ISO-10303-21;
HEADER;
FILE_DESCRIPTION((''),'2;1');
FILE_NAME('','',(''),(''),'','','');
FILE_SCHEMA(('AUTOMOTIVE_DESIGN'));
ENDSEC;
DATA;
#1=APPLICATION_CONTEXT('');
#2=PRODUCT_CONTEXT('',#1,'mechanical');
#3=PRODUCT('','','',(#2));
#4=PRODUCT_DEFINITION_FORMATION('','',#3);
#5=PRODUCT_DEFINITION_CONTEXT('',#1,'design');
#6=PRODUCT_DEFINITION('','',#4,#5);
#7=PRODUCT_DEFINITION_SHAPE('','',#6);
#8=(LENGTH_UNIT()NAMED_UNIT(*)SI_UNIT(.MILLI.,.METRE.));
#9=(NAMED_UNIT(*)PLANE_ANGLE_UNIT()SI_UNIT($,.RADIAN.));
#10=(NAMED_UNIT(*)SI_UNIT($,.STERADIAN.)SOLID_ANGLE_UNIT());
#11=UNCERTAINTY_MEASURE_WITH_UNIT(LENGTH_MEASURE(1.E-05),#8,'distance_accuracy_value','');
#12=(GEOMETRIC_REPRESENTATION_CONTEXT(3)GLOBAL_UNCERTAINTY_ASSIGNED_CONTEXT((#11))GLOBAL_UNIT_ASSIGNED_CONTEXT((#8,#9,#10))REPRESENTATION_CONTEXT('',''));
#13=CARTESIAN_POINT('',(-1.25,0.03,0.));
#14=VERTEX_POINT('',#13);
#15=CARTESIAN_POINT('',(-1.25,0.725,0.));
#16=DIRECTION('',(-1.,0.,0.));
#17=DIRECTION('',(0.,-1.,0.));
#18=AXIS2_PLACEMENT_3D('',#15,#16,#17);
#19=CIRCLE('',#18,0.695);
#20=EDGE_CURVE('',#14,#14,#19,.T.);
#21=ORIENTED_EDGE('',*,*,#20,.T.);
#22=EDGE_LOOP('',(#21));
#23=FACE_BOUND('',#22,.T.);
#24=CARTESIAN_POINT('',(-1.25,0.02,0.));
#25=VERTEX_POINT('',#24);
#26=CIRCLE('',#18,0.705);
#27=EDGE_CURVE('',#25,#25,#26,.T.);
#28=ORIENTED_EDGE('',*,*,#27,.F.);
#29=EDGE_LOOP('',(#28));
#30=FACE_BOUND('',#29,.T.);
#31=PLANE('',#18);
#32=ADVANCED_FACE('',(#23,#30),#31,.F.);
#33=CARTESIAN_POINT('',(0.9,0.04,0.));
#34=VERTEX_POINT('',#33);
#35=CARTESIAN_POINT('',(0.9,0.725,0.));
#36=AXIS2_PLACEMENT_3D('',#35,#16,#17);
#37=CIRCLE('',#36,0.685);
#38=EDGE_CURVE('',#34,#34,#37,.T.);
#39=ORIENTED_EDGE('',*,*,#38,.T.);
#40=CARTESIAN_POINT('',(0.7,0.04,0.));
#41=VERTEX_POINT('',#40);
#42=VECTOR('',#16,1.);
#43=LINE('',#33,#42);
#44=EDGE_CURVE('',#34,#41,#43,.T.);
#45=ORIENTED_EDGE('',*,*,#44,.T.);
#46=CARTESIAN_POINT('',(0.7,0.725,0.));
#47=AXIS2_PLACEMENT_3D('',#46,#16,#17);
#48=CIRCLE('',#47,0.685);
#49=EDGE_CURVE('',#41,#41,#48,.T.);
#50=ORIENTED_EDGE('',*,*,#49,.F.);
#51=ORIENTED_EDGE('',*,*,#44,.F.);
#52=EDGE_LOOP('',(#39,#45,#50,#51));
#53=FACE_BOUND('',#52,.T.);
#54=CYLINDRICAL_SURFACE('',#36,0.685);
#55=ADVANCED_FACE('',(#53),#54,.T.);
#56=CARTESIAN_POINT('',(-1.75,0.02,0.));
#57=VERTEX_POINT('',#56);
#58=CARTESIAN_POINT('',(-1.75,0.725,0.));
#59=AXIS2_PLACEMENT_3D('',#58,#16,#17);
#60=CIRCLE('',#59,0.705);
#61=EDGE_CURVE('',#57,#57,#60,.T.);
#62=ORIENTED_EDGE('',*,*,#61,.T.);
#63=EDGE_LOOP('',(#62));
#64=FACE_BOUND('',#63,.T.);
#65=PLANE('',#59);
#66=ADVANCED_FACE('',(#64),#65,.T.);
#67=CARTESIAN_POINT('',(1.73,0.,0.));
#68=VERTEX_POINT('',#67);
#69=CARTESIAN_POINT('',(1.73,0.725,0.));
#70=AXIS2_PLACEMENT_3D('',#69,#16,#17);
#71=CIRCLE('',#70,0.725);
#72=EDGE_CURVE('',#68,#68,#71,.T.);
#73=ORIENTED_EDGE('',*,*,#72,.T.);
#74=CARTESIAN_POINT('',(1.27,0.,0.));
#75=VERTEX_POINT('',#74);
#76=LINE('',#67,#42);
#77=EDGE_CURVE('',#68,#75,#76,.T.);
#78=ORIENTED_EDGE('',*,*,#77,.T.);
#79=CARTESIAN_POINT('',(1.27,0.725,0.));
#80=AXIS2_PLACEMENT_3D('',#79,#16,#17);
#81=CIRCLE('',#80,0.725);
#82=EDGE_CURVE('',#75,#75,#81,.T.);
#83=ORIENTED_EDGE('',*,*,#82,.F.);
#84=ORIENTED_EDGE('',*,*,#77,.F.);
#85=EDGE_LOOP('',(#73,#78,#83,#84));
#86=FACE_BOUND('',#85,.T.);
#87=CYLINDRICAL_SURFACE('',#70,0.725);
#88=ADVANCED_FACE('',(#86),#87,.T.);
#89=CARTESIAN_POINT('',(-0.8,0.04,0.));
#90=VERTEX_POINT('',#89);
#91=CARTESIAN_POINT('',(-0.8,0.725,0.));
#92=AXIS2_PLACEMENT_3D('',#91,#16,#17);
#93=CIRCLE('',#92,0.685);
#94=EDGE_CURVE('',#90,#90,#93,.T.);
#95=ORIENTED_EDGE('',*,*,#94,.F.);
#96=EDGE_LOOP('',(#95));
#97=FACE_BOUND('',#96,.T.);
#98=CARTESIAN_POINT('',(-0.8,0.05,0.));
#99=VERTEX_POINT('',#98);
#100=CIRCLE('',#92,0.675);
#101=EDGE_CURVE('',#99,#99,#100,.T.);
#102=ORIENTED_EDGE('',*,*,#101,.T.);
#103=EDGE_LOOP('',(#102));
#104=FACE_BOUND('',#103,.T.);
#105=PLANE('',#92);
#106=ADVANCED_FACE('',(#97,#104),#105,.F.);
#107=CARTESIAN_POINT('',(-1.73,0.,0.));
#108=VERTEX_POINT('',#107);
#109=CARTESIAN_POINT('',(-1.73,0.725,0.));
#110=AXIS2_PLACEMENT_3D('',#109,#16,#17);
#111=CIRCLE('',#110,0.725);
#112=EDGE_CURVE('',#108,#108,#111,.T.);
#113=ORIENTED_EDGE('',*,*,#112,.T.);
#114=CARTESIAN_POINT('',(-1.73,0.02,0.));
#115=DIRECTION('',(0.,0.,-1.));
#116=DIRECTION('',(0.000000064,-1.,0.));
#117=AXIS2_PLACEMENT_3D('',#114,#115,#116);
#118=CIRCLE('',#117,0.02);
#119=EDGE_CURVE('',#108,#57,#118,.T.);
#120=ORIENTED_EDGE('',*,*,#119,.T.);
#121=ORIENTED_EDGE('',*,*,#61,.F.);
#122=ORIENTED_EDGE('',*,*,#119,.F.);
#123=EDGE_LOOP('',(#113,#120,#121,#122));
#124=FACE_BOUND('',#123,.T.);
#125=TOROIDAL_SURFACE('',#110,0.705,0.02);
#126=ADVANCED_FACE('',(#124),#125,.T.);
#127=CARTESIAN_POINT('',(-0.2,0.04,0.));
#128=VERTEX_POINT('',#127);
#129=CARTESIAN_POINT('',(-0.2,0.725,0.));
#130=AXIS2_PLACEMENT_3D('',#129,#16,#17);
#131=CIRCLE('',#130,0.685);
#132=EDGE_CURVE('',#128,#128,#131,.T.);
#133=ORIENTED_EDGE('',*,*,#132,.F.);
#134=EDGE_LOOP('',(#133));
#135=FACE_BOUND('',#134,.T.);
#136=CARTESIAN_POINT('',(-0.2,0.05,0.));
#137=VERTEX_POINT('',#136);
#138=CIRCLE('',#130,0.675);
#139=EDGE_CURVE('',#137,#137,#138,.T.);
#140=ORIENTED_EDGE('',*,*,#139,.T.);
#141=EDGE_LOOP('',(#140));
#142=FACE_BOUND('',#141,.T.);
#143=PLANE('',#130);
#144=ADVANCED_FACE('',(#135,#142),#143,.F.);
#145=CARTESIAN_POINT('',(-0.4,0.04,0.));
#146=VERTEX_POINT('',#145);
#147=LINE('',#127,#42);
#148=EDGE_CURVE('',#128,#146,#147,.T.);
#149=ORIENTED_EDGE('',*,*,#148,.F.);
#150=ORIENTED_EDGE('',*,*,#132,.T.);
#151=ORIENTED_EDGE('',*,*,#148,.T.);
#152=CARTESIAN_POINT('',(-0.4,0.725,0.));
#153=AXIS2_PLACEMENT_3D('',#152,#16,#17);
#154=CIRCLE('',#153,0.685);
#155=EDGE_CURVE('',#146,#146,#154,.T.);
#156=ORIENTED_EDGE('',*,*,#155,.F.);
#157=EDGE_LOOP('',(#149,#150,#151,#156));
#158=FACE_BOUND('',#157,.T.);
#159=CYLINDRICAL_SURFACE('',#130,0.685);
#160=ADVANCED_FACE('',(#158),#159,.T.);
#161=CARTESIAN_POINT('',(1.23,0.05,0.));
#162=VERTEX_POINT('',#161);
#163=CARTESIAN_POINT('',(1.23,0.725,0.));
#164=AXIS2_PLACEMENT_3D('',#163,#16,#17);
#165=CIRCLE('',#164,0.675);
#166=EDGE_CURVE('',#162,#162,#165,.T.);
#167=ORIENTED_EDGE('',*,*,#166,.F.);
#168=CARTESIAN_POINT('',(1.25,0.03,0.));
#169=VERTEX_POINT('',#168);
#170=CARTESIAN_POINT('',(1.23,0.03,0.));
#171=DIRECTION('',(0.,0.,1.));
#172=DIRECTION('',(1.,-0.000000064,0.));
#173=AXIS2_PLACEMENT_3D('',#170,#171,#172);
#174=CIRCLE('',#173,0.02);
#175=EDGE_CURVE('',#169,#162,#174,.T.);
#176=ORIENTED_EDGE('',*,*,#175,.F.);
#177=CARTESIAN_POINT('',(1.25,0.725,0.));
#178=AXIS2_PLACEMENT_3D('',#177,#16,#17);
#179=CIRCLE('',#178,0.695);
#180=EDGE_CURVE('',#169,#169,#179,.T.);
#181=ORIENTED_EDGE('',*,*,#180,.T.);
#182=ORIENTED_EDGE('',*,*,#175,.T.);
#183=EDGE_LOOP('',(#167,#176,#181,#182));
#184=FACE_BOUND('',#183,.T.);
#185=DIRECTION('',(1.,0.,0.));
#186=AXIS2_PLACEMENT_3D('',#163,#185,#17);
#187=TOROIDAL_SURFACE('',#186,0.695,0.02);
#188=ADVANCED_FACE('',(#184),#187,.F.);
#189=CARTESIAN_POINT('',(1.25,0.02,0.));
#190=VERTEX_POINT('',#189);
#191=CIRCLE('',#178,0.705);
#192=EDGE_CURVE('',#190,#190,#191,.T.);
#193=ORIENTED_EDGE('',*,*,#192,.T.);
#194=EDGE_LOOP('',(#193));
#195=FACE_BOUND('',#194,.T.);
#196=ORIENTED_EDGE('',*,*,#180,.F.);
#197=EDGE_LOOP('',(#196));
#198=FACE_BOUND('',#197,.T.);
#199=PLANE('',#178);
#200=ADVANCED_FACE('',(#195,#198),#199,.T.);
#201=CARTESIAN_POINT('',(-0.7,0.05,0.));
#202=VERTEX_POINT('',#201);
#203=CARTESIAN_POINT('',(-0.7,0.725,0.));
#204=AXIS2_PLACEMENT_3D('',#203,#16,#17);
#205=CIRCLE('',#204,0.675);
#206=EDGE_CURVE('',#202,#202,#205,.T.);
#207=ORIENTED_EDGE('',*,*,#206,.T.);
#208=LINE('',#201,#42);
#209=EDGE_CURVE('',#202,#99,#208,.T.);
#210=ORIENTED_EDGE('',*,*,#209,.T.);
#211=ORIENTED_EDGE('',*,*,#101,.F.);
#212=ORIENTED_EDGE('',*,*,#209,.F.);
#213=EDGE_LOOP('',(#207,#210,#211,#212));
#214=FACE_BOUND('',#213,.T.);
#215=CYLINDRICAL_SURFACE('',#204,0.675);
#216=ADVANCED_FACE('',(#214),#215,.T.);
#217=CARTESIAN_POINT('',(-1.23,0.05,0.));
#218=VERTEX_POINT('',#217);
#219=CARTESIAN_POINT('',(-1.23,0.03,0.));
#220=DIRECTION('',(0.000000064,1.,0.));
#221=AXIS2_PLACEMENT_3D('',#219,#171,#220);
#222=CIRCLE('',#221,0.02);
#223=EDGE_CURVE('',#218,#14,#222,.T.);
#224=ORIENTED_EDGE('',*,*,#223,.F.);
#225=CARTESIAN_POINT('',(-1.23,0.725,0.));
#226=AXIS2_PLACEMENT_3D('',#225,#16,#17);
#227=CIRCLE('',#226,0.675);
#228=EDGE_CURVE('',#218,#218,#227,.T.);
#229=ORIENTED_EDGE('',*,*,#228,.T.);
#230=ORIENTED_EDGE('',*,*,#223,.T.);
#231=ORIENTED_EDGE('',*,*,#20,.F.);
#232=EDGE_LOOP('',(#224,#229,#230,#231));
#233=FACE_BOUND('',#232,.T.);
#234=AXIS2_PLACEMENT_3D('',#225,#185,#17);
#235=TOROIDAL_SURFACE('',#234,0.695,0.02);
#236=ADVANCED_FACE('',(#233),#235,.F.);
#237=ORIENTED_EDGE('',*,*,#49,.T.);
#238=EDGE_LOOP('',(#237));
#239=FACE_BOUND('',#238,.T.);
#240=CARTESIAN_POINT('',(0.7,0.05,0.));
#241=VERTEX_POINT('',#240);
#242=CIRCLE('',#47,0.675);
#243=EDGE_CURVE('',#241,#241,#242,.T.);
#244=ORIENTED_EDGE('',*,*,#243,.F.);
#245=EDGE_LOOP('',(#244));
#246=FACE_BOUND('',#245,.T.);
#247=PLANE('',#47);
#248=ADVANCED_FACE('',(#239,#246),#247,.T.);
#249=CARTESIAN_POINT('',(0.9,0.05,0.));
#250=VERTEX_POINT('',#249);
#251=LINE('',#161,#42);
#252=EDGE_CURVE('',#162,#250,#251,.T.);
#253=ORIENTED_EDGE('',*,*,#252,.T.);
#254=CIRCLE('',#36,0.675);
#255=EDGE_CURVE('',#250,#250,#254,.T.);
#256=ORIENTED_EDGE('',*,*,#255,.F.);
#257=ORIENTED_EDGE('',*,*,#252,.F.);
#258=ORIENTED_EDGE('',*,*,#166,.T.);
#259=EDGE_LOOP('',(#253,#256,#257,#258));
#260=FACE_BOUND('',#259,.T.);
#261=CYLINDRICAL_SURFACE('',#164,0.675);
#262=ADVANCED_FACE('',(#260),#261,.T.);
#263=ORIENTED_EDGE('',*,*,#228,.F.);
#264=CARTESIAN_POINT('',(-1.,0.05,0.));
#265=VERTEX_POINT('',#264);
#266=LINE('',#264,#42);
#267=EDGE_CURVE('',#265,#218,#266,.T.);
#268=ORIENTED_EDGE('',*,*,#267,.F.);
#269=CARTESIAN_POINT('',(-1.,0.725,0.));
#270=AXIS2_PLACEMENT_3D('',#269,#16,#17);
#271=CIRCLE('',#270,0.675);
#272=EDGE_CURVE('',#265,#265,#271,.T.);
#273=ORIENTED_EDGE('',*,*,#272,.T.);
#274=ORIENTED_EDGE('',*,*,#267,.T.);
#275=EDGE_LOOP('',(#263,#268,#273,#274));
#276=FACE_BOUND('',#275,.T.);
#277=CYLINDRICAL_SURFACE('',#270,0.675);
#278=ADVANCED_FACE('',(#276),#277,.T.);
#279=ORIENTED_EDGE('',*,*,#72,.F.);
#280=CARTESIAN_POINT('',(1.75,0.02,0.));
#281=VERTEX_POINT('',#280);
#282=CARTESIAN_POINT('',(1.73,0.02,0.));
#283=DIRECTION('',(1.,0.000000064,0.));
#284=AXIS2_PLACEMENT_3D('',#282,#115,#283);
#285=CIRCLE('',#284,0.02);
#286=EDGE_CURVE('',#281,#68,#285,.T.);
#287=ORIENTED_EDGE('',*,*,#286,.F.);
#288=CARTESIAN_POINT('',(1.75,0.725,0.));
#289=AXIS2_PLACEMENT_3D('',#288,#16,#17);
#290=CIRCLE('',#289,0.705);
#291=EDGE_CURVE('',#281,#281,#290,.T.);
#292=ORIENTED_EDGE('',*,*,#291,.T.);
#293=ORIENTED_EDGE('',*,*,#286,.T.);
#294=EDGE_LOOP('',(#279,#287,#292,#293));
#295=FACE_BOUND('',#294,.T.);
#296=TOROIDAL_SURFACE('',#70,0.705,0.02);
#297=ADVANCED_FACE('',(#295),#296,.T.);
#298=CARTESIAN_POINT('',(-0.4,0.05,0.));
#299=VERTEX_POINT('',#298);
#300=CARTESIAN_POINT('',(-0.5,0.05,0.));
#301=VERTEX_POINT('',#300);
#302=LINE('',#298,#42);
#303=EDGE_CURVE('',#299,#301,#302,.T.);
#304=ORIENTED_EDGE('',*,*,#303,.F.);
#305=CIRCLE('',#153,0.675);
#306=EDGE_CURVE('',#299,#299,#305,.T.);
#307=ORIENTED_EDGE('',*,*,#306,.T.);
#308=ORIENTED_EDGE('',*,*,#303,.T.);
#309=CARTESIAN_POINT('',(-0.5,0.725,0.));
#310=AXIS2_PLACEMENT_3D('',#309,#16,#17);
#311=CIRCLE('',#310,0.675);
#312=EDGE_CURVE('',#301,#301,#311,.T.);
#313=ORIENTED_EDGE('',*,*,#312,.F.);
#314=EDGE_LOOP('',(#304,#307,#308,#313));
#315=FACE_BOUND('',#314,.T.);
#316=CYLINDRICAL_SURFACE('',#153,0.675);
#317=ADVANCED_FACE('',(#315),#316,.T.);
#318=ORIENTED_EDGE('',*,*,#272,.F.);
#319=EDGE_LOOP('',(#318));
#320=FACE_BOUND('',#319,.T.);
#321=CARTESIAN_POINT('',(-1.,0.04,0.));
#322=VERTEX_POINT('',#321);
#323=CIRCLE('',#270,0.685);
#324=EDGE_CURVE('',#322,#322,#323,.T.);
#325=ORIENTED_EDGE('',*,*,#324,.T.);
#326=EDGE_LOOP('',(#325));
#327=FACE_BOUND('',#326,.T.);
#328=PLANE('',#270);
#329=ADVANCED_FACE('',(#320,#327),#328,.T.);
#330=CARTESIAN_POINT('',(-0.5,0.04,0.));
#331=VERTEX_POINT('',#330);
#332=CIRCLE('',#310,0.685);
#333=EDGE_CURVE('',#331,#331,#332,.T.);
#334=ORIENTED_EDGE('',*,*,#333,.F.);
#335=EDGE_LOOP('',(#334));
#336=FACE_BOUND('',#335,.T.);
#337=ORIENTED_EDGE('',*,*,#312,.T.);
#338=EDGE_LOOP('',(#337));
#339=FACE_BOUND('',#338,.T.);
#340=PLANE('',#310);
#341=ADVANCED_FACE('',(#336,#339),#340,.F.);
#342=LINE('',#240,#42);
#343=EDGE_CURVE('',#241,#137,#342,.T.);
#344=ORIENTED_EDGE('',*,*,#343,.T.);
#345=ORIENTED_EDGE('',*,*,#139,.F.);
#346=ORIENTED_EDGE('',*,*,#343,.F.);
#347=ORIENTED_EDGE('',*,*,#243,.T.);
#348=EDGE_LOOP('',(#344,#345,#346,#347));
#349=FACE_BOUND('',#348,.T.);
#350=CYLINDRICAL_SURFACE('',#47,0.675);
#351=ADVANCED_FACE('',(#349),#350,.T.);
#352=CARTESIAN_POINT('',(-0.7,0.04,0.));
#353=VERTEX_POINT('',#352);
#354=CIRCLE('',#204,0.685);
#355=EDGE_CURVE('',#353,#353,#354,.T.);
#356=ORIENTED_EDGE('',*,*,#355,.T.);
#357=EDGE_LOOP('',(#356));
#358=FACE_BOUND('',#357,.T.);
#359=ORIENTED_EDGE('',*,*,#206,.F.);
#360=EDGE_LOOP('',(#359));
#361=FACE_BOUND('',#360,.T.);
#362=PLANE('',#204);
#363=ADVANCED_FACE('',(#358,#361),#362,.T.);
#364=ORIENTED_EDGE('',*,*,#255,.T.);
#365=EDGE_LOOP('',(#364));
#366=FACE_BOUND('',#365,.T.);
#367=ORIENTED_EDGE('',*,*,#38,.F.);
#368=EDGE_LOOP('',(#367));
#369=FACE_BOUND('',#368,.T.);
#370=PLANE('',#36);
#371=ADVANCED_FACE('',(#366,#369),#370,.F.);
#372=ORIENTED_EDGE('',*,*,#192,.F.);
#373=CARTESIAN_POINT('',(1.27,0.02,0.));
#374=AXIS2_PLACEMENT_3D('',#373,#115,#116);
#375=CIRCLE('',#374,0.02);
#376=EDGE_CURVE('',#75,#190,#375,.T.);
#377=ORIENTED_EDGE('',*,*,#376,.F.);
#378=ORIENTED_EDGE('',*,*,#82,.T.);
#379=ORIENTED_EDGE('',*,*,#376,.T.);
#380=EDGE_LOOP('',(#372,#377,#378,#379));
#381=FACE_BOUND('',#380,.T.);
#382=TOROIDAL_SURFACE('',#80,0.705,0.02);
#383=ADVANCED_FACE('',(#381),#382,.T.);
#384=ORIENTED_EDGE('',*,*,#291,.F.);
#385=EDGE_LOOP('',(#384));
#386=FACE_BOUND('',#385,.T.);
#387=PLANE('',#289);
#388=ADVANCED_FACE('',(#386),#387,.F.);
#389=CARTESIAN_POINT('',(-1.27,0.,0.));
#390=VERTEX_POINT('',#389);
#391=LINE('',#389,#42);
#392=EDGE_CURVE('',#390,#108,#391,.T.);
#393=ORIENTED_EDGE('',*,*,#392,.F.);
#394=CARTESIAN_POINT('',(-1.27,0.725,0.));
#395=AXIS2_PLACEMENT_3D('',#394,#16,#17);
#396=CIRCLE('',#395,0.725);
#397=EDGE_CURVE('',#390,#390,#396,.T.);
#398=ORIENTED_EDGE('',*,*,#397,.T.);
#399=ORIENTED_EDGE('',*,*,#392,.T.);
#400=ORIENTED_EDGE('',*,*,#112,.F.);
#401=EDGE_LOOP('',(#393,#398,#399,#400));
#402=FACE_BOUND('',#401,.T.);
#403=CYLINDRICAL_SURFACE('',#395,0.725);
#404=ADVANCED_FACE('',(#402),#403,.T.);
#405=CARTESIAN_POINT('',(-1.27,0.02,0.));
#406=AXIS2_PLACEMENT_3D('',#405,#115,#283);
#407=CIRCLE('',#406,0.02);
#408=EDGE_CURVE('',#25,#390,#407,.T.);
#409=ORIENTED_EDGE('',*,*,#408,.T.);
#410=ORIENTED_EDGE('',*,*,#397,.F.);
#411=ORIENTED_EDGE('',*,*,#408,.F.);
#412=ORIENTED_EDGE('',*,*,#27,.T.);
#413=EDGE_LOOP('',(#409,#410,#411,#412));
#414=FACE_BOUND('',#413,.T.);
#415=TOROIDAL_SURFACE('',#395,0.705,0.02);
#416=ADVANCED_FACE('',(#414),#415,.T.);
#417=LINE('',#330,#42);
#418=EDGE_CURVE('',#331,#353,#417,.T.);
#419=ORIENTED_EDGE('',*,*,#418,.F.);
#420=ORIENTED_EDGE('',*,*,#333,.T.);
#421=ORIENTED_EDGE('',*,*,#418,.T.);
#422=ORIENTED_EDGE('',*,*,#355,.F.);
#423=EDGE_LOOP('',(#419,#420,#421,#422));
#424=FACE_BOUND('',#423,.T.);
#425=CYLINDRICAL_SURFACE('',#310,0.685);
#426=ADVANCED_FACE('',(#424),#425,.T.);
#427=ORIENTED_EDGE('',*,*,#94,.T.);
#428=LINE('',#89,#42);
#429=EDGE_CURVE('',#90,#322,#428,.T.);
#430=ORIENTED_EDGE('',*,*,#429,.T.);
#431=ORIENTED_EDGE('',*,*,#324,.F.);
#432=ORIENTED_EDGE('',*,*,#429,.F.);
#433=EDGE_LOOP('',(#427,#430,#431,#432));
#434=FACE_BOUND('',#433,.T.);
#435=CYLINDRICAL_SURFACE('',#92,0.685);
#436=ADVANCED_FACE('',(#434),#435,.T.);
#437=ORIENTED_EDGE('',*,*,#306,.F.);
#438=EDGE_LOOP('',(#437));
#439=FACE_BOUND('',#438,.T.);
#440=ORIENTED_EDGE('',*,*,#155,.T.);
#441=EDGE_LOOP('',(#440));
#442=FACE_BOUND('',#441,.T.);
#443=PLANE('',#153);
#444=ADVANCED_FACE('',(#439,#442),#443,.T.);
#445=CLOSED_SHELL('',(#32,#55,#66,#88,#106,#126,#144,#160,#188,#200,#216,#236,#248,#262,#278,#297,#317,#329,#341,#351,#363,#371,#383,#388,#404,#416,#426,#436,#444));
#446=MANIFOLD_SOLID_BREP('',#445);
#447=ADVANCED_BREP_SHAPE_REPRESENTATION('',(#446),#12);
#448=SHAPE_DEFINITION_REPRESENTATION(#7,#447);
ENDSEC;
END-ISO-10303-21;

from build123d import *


with BuildPart() as part:
    # Sketch1 → Revolve1 (revolve)
    with BuildSketch(Plane.XY):
        with BuildLine():
            Line((-1.75, 0.725), (1.75, 0.725))
            Line((1.75, 0.725), (1.75, 0.02))
            ThreePointArc((1.75, 0.02), (1.744142136, 0.005857864), (1.73, 0))
            Line((1.73, 0), (1.27, 0))
            ThreePointArc((1.27, 0), (1.255857864, 0.005857864), (1.25, 0.02))
            Line((1.25, 0.02), (1.25, 0.03))
            ThreePointArc((1.25, 0.03), (1.244142136, 0.044142136), (1.23, 0.05))
            Line((1.23, 0.05), (0.9, 0.05))
            Line((0.9, 0.05), (0.9, 0.04))
            Line((0.9, 0.04), (0.7, 0.04))
            Line((0.7, 0.04), (0.7, 0.05))
            Line((0.7, 0.05), (-0.2, 0.05))
            Line((-0.2, 0.05), (-0.2, 0.04))
            Line((-0.2, 0.04), (-0.4, 0.04))
            Line((-0.4, 0.04), (-0.4, 0.05))
            Line((-0.4, 0.05), (-0.5, 0.05))
            Line((-0.5, 0.05), (-0.5, 0.04))
            Line((-0.5, 0.04), (-0.7, 0.04))
            Line((-0.7, 0.04), (-0.7, 0.05))
            Line((-0.7, 0.05), (-0.8, 0.05))
            Line((-0.8, 0.05), (-0.8, 0.04))
            Line((-0.8, 0.04), (-1, 0.04))
            Line((-1, 0.04), (-1, 0.05))
            Line((-1, 0.05), (-1.23, 0.05))
            ThreePointArc((-1.23, 0.05), (-1.244142136, 0.044142136), (-1.25, 0.03))
            Line((-1.25, 0.03), (-1.25, 0.02))
            ThreePointArc((-1.25, 0.02), (-1.255857864, 0.005857864), (-1.27, 0))
            Line((-1.27, 0), (-1.73, 0))
            ThreePointArc((-1.73, 0), (-1.744142136, 0.005857864), (-1.75, 0.02))
            Line((-1.75, 0.02), (-1.75, 0.725))
        make_face()
    revolve(axis=Axis((-1.75, 0.725, 0), (-1, 0, 0)))


solid = part.part
